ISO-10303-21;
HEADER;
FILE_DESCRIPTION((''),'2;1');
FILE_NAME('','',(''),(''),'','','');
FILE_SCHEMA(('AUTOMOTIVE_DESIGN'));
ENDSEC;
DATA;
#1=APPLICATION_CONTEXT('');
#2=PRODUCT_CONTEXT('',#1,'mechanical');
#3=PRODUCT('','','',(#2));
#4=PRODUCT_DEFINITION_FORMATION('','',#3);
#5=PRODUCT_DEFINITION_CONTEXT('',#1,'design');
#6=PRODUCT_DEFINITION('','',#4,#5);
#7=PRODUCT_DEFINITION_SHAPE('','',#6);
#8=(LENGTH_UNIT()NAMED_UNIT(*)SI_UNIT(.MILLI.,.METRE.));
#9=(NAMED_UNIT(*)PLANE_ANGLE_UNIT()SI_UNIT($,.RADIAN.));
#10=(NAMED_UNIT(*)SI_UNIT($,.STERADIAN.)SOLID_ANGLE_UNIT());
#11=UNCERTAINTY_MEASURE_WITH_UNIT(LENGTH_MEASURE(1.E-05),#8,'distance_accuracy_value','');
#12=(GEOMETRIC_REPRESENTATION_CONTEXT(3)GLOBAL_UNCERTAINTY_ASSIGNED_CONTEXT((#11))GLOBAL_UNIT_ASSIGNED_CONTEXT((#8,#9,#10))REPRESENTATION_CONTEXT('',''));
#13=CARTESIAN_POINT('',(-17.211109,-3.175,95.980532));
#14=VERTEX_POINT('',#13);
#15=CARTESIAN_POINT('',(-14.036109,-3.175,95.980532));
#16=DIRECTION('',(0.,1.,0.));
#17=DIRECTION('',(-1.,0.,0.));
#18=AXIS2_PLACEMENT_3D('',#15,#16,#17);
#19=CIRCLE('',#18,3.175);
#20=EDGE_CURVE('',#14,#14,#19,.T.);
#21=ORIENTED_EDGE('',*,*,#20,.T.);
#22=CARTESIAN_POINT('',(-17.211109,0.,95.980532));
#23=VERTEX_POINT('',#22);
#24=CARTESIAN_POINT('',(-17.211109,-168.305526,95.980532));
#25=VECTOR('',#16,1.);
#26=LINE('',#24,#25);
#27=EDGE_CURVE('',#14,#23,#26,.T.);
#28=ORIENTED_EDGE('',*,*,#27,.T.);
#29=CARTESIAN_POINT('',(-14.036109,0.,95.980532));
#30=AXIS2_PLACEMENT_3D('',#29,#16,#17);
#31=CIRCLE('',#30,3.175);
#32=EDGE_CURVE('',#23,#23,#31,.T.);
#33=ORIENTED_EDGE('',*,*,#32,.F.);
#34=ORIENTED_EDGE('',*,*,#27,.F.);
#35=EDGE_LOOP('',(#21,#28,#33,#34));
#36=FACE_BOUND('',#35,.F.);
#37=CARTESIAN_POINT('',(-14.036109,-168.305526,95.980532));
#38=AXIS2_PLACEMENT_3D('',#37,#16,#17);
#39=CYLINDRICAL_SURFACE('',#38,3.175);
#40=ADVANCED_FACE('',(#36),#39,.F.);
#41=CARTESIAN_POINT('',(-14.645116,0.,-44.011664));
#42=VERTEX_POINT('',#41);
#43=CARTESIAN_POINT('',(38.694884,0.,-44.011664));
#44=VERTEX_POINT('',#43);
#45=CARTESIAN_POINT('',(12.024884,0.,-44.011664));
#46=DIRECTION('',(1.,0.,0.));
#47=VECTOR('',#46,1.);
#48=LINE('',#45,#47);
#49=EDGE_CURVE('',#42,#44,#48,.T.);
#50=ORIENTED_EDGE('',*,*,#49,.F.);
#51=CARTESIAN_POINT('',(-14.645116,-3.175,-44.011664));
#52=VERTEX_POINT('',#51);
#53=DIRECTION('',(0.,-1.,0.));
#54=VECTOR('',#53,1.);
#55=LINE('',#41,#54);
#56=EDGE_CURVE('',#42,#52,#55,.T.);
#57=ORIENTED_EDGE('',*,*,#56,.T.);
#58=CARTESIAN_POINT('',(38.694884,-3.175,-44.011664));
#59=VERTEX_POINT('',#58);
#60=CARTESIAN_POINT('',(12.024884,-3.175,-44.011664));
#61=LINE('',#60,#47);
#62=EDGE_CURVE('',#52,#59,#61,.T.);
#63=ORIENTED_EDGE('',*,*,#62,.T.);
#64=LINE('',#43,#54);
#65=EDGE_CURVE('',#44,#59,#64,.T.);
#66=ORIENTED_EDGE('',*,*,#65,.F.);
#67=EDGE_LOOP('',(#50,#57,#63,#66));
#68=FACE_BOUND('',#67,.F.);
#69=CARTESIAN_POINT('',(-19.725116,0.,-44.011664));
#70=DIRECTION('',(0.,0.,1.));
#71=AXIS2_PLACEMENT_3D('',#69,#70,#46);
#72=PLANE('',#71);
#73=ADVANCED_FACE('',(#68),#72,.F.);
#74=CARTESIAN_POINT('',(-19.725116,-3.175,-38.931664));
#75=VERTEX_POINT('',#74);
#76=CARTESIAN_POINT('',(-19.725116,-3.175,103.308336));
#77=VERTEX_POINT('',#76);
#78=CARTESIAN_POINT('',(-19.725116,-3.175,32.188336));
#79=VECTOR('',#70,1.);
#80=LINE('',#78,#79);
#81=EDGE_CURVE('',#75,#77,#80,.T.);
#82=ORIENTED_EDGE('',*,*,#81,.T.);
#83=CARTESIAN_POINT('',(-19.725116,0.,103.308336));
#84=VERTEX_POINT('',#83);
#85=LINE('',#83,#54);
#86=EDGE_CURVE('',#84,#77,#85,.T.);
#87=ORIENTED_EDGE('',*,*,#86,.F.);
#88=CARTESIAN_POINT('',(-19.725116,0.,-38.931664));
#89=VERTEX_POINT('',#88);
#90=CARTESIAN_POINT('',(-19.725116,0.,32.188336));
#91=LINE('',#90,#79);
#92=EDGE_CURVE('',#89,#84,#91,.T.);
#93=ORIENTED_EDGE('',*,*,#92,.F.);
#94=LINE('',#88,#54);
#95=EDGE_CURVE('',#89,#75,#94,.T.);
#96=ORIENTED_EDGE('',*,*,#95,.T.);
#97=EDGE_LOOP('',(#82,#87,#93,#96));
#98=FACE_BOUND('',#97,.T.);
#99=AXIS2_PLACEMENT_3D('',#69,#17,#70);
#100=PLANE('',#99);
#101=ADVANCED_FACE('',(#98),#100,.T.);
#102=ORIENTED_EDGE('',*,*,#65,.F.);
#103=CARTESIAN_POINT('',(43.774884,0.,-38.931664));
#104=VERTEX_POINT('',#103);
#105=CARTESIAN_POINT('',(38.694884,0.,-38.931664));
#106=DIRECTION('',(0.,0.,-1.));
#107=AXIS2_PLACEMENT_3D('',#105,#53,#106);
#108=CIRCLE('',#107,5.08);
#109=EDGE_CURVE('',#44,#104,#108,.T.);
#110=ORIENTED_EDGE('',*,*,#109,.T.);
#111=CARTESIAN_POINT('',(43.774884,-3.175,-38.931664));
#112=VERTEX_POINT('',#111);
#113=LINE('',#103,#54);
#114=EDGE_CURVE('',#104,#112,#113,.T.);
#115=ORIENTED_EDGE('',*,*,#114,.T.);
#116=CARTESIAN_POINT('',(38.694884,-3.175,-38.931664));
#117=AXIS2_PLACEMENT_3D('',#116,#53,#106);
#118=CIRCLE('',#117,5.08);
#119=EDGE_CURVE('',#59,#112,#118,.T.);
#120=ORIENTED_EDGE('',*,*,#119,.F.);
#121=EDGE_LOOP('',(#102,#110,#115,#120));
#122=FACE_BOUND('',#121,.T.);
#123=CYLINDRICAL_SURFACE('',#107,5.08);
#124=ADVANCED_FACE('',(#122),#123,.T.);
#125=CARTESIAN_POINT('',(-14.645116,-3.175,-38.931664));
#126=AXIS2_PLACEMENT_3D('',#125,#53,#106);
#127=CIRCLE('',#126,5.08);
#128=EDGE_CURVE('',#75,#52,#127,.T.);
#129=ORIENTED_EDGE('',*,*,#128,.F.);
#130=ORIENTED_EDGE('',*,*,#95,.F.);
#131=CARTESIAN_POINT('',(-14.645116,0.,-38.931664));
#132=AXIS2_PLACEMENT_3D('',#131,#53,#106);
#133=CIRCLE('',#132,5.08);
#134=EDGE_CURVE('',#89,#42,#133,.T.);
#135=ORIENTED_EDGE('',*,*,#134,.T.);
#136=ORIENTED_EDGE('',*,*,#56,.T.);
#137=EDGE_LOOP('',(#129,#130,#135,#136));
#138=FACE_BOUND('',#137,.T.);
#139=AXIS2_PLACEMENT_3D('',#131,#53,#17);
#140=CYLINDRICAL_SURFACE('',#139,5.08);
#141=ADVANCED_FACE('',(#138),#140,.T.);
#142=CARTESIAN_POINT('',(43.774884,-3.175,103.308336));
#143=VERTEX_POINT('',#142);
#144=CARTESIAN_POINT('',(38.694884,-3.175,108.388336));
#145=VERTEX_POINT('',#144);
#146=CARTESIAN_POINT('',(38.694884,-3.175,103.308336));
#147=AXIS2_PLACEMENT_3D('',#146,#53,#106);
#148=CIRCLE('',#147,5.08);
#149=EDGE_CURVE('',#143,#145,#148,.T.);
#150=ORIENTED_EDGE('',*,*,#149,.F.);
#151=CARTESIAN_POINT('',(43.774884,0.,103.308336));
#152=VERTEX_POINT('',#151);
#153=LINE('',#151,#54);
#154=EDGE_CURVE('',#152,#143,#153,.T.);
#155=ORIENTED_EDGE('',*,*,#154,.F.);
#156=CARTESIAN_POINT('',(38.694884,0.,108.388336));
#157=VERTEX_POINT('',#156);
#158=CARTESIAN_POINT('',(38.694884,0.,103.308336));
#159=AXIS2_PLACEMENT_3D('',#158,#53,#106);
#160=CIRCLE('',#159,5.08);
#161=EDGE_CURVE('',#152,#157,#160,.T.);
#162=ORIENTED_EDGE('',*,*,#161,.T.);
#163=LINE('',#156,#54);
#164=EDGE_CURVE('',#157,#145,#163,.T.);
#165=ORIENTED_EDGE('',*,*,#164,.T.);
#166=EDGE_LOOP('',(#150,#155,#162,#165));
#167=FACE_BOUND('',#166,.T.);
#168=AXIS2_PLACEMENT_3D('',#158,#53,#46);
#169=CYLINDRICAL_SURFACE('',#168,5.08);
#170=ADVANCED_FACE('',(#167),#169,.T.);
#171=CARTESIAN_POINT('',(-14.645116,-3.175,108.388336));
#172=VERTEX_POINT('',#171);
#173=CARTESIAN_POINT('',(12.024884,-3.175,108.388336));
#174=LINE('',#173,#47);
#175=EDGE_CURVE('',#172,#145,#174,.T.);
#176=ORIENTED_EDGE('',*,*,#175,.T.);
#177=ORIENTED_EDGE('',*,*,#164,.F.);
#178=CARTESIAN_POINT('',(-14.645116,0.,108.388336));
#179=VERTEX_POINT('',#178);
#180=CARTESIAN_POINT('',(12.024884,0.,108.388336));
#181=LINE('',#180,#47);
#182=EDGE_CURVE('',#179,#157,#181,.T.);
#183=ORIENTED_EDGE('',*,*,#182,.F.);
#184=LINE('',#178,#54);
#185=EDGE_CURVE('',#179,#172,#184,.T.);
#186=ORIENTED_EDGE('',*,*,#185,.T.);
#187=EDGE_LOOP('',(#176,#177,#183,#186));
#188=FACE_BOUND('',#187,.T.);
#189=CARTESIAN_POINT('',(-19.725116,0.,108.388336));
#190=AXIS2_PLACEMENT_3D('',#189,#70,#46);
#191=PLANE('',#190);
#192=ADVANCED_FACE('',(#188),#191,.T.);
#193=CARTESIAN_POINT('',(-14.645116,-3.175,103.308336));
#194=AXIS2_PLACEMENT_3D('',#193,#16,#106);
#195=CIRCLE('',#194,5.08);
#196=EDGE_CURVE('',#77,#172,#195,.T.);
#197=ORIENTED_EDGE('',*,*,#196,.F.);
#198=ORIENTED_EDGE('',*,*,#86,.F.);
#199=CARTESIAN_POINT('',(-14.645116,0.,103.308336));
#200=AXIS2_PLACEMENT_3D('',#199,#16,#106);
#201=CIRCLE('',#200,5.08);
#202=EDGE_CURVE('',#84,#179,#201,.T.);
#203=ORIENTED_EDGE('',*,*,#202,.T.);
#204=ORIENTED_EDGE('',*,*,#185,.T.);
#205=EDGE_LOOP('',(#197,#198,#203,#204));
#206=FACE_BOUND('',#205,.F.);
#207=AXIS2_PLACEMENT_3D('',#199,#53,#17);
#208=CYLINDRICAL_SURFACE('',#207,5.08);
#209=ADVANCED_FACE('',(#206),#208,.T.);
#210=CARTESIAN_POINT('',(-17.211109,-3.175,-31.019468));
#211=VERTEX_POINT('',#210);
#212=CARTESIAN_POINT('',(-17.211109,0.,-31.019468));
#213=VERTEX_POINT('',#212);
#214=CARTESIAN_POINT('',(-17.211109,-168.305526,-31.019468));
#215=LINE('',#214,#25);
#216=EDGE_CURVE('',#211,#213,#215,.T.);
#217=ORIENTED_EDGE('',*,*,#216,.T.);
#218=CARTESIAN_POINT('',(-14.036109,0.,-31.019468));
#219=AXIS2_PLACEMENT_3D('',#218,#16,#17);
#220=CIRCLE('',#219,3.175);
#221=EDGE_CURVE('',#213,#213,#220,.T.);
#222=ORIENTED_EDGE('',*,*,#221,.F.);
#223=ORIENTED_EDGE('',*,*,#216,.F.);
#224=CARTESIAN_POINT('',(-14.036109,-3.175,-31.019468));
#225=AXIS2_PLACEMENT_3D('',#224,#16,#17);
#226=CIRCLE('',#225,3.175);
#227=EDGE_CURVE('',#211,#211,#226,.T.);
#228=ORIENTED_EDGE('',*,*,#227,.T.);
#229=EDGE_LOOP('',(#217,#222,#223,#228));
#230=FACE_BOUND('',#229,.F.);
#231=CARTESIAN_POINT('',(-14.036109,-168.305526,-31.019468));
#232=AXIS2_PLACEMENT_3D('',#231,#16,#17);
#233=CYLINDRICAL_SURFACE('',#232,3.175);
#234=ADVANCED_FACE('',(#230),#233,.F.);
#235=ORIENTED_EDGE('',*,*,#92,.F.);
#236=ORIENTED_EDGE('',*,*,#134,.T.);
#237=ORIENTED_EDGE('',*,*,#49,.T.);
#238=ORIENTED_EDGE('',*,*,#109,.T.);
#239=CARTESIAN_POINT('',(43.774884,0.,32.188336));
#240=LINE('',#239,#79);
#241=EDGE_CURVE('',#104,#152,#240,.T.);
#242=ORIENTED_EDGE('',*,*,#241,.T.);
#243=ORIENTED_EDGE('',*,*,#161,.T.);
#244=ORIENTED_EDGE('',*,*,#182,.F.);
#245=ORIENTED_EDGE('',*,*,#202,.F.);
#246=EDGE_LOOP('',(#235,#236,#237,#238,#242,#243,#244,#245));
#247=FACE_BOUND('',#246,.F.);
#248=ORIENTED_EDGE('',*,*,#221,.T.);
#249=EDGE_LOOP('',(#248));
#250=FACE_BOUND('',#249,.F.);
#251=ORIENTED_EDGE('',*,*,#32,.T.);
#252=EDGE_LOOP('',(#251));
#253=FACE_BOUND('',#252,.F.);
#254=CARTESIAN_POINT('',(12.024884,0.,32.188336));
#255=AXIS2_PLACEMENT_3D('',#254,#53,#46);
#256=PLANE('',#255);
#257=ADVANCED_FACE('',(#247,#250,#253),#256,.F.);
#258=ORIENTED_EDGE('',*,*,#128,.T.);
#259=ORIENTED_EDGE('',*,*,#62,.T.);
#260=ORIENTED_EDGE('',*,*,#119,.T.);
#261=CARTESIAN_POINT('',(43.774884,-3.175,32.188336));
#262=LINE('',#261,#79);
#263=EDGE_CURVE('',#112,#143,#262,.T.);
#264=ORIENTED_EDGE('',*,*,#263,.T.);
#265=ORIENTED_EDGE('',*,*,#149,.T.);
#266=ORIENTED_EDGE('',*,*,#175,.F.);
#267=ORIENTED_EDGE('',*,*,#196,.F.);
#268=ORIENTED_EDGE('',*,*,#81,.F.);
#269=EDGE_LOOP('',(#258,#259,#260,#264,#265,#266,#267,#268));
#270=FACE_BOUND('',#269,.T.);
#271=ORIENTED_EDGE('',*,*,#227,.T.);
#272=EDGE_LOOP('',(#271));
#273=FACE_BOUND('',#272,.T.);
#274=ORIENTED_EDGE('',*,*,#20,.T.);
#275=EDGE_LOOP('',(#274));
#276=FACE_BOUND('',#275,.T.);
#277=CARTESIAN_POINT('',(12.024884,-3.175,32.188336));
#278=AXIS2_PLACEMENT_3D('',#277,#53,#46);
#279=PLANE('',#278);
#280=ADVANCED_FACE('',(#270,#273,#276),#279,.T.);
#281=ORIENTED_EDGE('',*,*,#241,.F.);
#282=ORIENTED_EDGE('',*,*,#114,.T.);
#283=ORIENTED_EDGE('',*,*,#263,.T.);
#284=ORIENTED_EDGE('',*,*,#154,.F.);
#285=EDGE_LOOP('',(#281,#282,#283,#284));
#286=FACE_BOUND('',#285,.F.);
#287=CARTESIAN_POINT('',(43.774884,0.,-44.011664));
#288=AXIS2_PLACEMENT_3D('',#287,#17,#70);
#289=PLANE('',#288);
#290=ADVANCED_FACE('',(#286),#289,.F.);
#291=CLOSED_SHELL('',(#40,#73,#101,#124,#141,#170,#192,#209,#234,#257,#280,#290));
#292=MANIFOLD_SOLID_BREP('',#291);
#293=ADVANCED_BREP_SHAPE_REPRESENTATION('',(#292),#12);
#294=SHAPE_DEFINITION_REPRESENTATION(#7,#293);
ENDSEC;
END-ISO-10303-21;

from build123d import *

# Parameters (mm, degrees)
F0_W     = 63.5
F0_H     = 152.4
F1_DEPTH = 3.175
F2_R     = 5.08
F4_D     = 6.35
F5_D     = 6.35


with BuildPart() as f1:
    # F0 (on Front) → F1 (new body)
    with BuildSketch(Plane.XZ):
        with Locations((12.024884, 32.188336)):
            Rectangle(F0_W, F0_H)
    extrude(amount=F1_DEPTH)

    # F2
    f2_edges = [f1.edges().sort_by_distance(p)[0] for p in [
        (-19.725116, -1.5875, 108.388336),
        (43.774884, -1.5875, 108.388336),
        (43.774884, -1.5875, -44.011664),
        (-19.725116, -1.5875, -44.011664),
    ]]
    fillet(f2_edges, radius=F2_R)

    # F4 (through all)
    with Locations(Plane.XZ.offset(3.175)):
        with Locations((-14.036109, 95.980532)):
            Hole(F4_D / 2)

    # F5 (through all)
    with Locations(Plane.XZ.offset(3.175)):
        with Locations((-14.036109, -31.019468)):
            Hole(F5_D / 2)


solid = f1.part
